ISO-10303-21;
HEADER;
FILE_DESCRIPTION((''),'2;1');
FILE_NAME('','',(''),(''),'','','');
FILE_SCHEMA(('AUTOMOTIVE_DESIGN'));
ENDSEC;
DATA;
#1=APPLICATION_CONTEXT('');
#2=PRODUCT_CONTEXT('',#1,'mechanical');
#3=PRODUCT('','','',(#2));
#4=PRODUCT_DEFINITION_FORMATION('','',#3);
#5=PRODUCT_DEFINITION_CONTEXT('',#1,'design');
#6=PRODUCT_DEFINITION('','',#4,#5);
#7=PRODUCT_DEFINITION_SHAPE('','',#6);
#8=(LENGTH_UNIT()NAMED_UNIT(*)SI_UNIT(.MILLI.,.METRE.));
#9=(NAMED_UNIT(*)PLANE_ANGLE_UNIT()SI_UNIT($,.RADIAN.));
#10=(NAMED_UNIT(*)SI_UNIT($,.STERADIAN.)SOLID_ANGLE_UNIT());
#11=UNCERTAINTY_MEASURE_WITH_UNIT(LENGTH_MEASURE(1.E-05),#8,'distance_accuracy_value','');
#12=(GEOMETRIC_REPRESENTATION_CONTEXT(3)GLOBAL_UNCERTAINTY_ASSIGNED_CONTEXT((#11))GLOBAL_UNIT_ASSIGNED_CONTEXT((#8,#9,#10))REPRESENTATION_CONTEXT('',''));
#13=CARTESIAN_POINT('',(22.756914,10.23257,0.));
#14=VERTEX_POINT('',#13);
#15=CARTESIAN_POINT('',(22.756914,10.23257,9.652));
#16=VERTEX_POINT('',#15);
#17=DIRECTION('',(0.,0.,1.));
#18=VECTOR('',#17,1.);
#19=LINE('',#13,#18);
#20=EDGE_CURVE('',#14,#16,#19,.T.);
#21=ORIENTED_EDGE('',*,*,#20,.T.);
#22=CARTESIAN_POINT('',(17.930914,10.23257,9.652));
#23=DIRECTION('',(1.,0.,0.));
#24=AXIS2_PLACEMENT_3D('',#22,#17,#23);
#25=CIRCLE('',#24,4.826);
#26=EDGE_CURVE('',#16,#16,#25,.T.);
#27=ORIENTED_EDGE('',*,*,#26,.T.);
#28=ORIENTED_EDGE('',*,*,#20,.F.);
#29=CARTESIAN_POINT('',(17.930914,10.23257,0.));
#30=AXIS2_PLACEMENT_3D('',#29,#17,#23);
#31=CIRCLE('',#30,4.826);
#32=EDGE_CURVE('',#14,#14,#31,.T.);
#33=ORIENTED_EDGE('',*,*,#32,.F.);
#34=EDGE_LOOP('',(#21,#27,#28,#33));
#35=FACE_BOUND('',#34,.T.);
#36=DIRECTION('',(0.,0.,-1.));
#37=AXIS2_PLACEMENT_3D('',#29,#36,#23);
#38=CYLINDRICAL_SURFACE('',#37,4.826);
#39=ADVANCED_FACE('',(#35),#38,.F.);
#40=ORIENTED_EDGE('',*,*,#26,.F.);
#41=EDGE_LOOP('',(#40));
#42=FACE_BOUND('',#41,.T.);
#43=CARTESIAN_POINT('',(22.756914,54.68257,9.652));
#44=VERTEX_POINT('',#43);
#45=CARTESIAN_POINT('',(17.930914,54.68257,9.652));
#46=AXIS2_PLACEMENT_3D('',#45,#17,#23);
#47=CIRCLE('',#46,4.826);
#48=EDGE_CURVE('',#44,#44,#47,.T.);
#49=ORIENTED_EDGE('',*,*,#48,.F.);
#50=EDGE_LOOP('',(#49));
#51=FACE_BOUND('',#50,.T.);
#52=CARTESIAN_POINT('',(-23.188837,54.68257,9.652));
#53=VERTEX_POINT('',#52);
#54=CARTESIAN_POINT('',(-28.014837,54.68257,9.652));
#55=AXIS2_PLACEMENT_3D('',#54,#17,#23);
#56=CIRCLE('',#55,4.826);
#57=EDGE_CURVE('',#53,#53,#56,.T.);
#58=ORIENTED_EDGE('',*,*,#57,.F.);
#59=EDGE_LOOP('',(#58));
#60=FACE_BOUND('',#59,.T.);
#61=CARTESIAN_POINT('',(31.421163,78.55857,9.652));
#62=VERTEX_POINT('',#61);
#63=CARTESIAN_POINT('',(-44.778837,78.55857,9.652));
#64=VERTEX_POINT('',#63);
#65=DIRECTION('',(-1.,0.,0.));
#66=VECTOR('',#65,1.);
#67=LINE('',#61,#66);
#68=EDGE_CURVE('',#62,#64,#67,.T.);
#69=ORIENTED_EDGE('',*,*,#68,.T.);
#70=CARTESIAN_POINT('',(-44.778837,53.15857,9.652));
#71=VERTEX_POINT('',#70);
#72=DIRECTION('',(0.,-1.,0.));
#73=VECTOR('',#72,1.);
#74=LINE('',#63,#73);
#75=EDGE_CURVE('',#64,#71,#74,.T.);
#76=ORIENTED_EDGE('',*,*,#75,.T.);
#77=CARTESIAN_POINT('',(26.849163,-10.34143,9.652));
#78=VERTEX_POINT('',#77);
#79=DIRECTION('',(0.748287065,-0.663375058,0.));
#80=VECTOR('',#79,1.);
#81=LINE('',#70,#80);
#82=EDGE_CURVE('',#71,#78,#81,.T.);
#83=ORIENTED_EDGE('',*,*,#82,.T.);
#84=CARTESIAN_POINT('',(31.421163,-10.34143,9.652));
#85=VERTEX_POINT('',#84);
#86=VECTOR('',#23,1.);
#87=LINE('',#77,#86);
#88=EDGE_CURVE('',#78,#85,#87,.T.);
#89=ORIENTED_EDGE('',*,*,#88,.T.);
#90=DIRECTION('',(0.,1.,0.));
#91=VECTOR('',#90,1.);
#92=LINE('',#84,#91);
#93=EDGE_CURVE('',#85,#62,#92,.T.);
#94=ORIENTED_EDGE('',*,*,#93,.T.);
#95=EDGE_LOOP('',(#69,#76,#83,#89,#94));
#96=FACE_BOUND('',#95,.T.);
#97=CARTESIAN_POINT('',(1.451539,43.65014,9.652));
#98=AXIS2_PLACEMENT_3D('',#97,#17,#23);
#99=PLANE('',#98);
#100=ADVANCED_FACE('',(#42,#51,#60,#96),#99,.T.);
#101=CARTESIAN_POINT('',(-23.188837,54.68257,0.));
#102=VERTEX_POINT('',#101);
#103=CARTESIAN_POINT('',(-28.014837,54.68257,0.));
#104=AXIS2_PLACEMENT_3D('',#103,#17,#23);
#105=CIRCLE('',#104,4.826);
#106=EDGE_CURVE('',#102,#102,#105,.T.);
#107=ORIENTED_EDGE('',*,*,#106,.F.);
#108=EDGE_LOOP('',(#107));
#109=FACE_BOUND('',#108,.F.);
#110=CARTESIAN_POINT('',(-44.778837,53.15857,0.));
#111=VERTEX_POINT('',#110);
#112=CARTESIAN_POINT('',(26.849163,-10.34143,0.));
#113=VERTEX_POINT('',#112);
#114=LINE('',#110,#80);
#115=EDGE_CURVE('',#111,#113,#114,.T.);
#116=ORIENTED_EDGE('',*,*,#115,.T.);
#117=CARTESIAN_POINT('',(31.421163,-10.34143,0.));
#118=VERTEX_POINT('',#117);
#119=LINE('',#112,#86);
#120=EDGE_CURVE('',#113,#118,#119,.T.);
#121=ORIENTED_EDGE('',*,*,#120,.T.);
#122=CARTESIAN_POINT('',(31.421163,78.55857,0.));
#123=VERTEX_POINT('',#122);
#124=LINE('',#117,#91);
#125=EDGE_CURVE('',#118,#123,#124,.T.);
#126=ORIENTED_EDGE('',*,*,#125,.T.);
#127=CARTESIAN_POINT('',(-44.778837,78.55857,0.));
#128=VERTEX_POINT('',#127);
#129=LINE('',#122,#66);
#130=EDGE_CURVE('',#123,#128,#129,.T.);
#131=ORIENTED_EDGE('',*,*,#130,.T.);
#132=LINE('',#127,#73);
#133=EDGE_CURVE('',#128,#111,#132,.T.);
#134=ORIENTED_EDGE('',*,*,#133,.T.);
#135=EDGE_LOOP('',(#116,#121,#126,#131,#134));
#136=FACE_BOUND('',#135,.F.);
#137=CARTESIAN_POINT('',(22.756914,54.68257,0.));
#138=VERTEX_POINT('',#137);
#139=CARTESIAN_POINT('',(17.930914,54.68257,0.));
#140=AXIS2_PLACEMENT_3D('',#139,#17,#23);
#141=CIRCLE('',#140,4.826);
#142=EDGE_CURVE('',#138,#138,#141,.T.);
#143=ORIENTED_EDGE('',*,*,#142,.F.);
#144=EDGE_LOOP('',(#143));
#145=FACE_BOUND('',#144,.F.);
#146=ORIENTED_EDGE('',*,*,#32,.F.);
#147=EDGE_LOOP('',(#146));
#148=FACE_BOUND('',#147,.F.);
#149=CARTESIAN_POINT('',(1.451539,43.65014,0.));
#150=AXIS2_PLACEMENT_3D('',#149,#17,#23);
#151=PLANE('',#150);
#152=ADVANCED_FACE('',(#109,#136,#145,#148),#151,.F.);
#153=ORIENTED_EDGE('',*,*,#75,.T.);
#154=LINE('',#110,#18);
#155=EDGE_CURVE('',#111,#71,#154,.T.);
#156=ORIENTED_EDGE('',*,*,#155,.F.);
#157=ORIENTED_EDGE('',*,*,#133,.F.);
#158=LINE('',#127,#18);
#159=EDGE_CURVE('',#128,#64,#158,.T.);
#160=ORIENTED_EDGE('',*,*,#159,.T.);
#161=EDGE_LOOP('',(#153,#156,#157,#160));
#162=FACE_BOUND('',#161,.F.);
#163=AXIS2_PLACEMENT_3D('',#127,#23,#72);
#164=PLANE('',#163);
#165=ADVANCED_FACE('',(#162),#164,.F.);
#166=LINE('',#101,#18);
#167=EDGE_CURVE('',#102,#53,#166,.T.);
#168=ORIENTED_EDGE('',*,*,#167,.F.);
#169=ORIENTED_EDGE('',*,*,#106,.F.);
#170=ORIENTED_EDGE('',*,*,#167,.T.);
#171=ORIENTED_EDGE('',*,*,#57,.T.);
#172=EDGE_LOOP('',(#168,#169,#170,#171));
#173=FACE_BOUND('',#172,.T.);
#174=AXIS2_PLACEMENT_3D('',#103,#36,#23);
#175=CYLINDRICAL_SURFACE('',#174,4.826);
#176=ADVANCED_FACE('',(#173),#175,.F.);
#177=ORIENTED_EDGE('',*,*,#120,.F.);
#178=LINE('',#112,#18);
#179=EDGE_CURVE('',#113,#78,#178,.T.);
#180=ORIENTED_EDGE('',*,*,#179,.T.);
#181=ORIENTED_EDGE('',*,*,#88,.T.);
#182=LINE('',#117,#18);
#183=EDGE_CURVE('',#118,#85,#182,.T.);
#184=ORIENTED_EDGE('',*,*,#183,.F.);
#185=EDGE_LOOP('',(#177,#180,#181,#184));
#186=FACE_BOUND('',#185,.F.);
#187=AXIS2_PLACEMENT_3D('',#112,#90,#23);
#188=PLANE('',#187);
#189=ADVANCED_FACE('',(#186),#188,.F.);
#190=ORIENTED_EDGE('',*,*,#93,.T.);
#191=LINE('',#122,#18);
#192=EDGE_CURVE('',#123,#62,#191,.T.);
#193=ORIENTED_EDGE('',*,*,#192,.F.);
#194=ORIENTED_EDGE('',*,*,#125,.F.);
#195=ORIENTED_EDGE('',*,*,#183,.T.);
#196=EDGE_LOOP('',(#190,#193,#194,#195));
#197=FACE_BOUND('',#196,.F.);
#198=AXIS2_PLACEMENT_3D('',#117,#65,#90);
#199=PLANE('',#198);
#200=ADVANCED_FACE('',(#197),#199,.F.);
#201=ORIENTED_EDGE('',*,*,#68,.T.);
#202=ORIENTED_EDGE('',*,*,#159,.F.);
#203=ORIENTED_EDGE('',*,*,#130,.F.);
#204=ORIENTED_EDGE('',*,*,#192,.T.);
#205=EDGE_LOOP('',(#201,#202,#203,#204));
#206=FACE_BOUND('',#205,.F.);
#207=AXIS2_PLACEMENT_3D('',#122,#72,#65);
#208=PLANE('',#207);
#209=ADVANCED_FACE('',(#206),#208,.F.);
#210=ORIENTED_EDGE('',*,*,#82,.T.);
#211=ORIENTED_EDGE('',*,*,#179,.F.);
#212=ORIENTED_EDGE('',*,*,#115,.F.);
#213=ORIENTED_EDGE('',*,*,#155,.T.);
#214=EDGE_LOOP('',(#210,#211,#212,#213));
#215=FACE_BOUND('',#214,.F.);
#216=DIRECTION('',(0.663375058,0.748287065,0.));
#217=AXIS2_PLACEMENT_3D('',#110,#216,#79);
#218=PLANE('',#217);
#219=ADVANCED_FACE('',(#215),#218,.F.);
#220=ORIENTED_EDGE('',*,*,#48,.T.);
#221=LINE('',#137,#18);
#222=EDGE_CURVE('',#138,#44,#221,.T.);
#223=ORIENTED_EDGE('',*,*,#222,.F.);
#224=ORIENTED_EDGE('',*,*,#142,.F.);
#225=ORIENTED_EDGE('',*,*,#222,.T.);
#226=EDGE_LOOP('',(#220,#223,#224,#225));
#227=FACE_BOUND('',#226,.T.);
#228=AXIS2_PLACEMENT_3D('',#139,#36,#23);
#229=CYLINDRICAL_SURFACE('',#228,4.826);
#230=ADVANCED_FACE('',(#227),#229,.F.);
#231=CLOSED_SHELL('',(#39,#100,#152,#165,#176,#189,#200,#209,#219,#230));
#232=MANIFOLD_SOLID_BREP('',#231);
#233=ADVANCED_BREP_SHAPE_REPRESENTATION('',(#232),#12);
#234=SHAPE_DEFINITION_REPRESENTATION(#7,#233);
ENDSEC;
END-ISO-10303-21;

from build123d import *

# Parameters (mm, degrees)
F0_R     = 4.826
F1_DEPTH = 9.652


with BuildPart() as f1:
    # F0 (on Top) → F1 (new body)
    with BuildSketch(Plane.XY):
        Polygon((-44.778837, 53.15857), (26.849163, -10.34143), (31.421163, -10.34143), (31.421163, 78.55857), (-44.778837, 78.55857), align=None)
        with Locations((17.930914, 10.23257)):
            Circle(F0_R, mode=Mode.SUBTRACT)
        with Locations((-28.014837, 54.68257)):
            Circle(F0_R, mode=Mode.SUBTRACT)
        with Locations((17.930914, 54.68257)):
            Circle(F0_R, mode=Mode.SUBTRACT)
    extrude(amount=F1_DEPTH)


solid = f1.part
